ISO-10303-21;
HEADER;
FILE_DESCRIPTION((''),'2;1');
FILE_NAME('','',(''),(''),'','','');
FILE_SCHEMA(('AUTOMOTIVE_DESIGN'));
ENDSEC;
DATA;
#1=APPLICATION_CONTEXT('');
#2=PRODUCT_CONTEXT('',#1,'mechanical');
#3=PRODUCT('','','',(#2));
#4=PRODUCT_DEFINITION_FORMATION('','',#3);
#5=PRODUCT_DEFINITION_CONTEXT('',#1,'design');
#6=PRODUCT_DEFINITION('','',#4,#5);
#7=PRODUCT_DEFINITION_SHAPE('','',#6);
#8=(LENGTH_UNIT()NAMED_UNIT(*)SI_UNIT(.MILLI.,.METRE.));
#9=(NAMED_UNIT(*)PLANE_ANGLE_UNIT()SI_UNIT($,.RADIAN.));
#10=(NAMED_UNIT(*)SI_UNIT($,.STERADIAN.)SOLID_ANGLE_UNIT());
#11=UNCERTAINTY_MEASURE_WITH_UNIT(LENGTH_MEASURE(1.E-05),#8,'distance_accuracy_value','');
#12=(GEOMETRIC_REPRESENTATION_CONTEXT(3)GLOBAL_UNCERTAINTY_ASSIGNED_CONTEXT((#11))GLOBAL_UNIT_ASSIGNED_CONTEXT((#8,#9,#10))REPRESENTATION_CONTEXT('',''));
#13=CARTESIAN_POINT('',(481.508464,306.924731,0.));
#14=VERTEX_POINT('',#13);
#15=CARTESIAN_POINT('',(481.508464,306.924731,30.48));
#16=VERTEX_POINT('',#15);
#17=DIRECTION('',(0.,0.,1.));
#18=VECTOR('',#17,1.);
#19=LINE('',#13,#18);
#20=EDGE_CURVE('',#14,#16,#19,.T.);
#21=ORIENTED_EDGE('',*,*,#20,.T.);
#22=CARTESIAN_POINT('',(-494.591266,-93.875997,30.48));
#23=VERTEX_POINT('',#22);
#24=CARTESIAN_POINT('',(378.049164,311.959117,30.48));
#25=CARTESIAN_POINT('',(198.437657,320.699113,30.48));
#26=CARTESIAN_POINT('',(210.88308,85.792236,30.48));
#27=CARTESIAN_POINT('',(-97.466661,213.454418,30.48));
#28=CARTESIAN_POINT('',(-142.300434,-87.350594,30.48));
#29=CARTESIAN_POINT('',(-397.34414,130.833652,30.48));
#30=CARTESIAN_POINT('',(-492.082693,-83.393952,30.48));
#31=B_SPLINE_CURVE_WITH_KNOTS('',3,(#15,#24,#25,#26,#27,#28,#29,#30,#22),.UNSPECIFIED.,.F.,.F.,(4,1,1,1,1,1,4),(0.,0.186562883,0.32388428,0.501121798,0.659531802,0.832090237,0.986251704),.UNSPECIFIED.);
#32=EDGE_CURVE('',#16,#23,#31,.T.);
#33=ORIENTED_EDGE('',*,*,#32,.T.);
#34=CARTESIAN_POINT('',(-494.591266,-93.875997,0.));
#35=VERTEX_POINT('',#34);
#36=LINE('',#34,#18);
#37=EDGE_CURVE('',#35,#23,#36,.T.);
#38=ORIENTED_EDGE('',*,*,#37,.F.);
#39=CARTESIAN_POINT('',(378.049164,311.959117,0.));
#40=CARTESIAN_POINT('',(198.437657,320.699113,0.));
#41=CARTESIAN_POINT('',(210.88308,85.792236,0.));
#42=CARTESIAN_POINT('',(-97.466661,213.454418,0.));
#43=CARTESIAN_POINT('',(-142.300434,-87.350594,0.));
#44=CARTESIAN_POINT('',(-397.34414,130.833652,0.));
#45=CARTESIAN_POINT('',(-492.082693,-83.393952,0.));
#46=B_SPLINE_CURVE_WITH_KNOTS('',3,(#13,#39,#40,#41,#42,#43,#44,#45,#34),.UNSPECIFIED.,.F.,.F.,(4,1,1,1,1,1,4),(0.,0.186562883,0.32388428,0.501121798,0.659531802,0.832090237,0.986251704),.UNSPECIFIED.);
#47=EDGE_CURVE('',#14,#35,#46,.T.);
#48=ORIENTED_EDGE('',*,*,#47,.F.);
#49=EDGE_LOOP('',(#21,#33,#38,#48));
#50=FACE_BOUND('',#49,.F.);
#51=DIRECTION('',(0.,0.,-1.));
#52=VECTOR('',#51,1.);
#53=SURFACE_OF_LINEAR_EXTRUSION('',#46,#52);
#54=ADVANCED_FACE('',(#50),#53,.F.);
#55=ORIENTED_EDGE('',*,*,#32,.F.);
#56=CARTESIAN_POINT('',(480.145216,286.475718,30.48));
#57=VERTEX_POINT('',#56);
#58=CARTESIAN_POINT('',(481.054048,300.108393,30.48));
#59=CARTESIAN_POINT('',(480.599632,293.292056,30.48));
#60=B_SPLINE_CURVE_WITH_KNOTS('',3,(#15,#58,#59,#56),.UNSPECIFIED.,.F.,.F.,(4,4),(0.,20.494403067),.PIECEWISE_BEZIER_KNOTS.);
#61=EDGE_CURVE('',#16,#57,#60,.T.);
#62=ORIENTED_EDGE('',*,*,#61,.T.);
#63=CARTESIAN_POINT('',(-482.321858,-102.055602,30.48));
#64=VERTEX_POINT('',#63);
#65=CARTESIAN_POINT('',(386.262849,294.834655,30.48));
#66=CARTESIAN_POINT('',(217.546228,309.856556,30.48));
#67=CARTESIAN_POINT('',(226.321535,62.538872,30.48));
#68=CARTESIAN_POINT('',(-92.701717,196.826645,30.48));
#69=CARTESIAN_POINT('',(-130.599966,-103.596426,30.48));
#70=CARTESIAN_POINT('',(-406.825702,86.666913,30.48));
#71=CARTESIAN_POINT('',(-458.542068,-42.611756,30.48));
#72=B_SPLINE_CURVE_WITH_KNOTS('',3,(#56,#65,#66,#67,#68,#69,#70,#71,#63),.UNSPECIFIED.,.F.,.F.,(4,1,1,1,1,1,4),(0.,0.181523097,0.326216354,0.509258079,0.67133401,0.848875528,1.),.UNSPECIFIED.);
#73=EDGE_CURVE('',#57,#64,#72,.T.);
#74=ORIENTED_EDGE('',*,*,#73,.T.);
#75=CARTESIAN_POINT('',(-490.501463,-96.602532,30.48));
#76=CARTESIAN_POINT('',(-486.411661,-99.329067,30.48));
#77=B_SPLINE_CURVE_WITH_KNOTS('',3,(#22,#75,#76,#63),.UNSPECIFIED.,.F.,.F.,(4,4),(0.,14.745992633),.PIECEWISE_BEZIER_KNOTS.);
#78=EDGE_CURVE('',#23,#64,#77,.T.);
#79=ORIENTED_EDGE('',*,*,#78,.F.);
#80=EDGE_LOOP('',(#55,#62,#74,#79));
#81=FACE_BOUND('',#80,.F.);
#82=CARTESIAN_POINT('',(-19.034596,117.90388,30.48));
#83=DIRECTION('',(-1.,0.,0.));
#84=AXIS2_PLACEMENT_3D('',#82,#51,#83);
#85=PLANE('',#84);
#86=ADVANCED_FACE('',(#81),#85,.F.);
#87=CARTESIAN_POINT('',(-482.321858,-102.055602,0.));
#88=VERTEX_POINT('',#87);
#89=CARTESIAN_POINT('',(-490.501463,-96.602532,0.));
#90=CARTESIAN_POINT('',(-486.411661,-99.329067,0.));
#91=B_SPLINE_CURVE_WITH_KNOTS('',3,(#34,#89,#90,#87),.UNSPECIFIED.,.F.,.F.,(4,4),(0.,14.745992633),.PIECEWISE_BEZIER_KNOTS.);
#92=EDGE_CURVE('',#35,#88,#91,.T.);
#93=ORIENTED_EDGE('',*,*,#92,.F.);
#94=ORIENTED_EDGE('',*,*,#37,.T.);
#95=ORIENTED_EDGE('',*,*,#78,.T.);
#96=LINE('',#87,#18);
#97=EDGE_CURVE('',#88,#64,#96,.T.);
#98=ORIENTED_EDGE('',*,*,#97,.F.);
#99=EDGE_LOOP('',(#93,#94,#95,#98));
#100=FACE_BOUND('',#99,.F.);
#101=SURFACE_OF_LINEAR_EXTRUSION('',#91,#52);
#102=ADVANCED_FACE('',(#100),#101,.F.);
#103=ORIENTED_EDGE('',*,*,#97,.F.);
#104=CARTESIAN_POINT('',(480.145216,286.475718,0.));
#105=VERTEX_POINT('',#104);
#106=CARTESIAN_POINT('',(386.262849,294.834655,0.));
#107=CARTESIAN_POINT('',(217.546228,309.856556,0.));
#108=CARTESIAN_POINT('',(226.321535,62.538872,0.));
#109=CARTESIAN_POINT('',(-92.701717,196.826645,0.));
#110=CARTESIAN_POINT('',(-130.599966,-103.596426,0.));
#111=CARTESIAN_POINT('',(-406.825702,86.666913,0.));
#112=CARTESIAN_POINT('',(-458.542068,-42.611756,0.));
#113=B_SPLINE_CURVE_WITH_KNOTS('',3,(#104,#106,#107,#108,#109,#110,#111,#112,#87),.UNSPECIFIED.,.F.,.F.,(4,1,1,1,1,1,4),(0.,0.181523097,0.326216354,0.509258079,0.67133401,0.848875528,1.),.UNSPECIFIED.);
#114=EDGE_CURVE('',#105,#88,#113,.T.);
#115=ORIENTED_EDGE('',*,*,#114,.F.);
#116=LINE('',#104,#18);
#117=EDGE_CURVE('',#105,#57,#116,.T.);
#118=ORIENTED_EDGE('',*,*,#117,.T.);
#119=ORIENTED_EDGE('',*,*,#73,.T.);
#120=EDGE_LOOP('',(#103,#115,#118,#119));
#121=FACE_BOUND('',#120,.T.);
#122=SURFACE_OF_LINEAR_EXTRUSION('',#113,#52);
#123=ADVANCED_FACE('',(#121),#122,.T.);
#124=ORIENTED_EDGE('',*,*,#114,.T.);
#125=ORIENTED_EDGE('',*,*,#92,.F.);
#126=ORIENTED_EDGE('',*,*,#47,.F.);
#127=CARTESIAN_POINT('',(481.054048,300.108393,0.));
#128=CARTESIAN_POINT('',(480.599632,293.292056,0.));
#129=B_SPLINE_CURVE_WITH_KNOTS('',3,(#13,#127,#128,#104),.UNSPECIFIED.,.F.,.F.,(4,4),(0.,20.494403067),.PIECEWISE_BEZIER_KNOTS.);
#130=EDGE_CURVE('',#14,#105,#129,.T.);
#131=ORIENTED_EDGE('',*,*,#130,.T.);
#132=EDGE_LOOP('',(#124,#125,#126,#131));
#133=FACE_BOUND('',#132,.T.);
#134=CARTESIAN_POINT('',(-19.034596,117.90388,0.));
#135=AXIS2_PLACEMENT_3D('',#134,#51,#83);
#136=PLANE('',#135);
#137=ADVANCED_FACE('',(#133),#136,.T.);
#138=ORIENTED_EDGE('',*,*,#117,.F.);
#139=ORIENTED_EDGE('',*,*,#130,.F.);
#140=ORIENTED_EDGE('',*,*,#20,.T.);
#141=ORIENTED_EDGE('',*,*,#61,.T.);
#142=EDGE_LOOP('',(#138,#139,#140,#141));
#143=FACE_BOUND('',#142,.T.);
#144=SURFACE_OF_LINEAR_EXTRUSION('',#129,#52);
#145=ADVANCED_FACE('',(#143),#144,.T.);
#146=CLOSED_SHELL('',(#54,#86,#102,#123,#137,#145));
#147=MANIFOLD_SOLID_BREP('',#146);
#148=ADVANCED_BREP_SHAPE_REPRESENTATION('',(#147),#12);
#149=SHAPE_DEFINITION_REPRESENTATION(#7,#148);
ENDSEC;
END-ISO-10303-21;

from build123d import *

# Parameters (mm, degrees)
F1_DEPTH = 30.48


with BuildPart() as f1:
    # F0 (on Top) → F1 (new body)
    with BuildSketch(Plane.XY):
        with BuildLine():
            add(Edge.make_bspline(
                [(481.5084636211, 306.9247305393), (481.0540477435, 300.1083930333), (480.5996318658, 293.2920555274), (480.1452159882, 286.4757180214)],
                knots=[0, 0, 0, 0, 20.4944030669, 20.4944030669, 20.4944030669, 20.4944030669], degree=3))
            add(Edge.make_bspline(
                [(481.5084636211, 306.9247305393), (378.0491643864, 311.9591173777), (198.4376570706, 320.6991128653), (210.8830798808, 85.7922361329), (-97.466661031, 213.4544178567), (-142.300434433, -87.3505937802), (-397.3441396481, 130.8336523218), (-492.082693465, -83.3939515448), (-494.5912659168, -93.8759967685)],
                knots=[0, 0, 0, 0, 0.1865628829, 0.3238842797, 0.501121798, 0.6595318024, 0.8320902368, 0.9862517035, 0.9862517035, 0.9862517035, 0.9862517035], degree=3))
            add(Edge.make_bspline(
                [(-494.5912659168, -93.8759967685), (-490.5014634132, -96.6025317709), (-486.4116609097, -99.3290667733), (-482.3218584061, -102.0556017756)],
                knots=[0, 0, 0, 0, 14.7459926332, 14.7459926332, 14.7459926332, 14.7459926332], degree=3))
            add(Edge.make_bspline(
                [(480.1452159882, 286.4757180214), (386.2628489575, 294.8346552335), (217.5462279681, 309.8565564284), (226.3215351058, 62.5388719607), (-92.7017168021, 196.8266446322), (-130.5999659494, -103.5964261723), (-406.8257022492, 86.6669130017), (-458.5420677451, -42.6117555871), (-482.3218584061, -102.0556017756)],
                knots=[0, 0, 0, 0, 0.1815230967, 0.3262163543, 0.5092580792, 0.6713340099, 0.8488755278, 1, 1, 1, 1], degree=3))
        make_face()
    extrude(amount=F1_DEPTH)


solid = f1.part
